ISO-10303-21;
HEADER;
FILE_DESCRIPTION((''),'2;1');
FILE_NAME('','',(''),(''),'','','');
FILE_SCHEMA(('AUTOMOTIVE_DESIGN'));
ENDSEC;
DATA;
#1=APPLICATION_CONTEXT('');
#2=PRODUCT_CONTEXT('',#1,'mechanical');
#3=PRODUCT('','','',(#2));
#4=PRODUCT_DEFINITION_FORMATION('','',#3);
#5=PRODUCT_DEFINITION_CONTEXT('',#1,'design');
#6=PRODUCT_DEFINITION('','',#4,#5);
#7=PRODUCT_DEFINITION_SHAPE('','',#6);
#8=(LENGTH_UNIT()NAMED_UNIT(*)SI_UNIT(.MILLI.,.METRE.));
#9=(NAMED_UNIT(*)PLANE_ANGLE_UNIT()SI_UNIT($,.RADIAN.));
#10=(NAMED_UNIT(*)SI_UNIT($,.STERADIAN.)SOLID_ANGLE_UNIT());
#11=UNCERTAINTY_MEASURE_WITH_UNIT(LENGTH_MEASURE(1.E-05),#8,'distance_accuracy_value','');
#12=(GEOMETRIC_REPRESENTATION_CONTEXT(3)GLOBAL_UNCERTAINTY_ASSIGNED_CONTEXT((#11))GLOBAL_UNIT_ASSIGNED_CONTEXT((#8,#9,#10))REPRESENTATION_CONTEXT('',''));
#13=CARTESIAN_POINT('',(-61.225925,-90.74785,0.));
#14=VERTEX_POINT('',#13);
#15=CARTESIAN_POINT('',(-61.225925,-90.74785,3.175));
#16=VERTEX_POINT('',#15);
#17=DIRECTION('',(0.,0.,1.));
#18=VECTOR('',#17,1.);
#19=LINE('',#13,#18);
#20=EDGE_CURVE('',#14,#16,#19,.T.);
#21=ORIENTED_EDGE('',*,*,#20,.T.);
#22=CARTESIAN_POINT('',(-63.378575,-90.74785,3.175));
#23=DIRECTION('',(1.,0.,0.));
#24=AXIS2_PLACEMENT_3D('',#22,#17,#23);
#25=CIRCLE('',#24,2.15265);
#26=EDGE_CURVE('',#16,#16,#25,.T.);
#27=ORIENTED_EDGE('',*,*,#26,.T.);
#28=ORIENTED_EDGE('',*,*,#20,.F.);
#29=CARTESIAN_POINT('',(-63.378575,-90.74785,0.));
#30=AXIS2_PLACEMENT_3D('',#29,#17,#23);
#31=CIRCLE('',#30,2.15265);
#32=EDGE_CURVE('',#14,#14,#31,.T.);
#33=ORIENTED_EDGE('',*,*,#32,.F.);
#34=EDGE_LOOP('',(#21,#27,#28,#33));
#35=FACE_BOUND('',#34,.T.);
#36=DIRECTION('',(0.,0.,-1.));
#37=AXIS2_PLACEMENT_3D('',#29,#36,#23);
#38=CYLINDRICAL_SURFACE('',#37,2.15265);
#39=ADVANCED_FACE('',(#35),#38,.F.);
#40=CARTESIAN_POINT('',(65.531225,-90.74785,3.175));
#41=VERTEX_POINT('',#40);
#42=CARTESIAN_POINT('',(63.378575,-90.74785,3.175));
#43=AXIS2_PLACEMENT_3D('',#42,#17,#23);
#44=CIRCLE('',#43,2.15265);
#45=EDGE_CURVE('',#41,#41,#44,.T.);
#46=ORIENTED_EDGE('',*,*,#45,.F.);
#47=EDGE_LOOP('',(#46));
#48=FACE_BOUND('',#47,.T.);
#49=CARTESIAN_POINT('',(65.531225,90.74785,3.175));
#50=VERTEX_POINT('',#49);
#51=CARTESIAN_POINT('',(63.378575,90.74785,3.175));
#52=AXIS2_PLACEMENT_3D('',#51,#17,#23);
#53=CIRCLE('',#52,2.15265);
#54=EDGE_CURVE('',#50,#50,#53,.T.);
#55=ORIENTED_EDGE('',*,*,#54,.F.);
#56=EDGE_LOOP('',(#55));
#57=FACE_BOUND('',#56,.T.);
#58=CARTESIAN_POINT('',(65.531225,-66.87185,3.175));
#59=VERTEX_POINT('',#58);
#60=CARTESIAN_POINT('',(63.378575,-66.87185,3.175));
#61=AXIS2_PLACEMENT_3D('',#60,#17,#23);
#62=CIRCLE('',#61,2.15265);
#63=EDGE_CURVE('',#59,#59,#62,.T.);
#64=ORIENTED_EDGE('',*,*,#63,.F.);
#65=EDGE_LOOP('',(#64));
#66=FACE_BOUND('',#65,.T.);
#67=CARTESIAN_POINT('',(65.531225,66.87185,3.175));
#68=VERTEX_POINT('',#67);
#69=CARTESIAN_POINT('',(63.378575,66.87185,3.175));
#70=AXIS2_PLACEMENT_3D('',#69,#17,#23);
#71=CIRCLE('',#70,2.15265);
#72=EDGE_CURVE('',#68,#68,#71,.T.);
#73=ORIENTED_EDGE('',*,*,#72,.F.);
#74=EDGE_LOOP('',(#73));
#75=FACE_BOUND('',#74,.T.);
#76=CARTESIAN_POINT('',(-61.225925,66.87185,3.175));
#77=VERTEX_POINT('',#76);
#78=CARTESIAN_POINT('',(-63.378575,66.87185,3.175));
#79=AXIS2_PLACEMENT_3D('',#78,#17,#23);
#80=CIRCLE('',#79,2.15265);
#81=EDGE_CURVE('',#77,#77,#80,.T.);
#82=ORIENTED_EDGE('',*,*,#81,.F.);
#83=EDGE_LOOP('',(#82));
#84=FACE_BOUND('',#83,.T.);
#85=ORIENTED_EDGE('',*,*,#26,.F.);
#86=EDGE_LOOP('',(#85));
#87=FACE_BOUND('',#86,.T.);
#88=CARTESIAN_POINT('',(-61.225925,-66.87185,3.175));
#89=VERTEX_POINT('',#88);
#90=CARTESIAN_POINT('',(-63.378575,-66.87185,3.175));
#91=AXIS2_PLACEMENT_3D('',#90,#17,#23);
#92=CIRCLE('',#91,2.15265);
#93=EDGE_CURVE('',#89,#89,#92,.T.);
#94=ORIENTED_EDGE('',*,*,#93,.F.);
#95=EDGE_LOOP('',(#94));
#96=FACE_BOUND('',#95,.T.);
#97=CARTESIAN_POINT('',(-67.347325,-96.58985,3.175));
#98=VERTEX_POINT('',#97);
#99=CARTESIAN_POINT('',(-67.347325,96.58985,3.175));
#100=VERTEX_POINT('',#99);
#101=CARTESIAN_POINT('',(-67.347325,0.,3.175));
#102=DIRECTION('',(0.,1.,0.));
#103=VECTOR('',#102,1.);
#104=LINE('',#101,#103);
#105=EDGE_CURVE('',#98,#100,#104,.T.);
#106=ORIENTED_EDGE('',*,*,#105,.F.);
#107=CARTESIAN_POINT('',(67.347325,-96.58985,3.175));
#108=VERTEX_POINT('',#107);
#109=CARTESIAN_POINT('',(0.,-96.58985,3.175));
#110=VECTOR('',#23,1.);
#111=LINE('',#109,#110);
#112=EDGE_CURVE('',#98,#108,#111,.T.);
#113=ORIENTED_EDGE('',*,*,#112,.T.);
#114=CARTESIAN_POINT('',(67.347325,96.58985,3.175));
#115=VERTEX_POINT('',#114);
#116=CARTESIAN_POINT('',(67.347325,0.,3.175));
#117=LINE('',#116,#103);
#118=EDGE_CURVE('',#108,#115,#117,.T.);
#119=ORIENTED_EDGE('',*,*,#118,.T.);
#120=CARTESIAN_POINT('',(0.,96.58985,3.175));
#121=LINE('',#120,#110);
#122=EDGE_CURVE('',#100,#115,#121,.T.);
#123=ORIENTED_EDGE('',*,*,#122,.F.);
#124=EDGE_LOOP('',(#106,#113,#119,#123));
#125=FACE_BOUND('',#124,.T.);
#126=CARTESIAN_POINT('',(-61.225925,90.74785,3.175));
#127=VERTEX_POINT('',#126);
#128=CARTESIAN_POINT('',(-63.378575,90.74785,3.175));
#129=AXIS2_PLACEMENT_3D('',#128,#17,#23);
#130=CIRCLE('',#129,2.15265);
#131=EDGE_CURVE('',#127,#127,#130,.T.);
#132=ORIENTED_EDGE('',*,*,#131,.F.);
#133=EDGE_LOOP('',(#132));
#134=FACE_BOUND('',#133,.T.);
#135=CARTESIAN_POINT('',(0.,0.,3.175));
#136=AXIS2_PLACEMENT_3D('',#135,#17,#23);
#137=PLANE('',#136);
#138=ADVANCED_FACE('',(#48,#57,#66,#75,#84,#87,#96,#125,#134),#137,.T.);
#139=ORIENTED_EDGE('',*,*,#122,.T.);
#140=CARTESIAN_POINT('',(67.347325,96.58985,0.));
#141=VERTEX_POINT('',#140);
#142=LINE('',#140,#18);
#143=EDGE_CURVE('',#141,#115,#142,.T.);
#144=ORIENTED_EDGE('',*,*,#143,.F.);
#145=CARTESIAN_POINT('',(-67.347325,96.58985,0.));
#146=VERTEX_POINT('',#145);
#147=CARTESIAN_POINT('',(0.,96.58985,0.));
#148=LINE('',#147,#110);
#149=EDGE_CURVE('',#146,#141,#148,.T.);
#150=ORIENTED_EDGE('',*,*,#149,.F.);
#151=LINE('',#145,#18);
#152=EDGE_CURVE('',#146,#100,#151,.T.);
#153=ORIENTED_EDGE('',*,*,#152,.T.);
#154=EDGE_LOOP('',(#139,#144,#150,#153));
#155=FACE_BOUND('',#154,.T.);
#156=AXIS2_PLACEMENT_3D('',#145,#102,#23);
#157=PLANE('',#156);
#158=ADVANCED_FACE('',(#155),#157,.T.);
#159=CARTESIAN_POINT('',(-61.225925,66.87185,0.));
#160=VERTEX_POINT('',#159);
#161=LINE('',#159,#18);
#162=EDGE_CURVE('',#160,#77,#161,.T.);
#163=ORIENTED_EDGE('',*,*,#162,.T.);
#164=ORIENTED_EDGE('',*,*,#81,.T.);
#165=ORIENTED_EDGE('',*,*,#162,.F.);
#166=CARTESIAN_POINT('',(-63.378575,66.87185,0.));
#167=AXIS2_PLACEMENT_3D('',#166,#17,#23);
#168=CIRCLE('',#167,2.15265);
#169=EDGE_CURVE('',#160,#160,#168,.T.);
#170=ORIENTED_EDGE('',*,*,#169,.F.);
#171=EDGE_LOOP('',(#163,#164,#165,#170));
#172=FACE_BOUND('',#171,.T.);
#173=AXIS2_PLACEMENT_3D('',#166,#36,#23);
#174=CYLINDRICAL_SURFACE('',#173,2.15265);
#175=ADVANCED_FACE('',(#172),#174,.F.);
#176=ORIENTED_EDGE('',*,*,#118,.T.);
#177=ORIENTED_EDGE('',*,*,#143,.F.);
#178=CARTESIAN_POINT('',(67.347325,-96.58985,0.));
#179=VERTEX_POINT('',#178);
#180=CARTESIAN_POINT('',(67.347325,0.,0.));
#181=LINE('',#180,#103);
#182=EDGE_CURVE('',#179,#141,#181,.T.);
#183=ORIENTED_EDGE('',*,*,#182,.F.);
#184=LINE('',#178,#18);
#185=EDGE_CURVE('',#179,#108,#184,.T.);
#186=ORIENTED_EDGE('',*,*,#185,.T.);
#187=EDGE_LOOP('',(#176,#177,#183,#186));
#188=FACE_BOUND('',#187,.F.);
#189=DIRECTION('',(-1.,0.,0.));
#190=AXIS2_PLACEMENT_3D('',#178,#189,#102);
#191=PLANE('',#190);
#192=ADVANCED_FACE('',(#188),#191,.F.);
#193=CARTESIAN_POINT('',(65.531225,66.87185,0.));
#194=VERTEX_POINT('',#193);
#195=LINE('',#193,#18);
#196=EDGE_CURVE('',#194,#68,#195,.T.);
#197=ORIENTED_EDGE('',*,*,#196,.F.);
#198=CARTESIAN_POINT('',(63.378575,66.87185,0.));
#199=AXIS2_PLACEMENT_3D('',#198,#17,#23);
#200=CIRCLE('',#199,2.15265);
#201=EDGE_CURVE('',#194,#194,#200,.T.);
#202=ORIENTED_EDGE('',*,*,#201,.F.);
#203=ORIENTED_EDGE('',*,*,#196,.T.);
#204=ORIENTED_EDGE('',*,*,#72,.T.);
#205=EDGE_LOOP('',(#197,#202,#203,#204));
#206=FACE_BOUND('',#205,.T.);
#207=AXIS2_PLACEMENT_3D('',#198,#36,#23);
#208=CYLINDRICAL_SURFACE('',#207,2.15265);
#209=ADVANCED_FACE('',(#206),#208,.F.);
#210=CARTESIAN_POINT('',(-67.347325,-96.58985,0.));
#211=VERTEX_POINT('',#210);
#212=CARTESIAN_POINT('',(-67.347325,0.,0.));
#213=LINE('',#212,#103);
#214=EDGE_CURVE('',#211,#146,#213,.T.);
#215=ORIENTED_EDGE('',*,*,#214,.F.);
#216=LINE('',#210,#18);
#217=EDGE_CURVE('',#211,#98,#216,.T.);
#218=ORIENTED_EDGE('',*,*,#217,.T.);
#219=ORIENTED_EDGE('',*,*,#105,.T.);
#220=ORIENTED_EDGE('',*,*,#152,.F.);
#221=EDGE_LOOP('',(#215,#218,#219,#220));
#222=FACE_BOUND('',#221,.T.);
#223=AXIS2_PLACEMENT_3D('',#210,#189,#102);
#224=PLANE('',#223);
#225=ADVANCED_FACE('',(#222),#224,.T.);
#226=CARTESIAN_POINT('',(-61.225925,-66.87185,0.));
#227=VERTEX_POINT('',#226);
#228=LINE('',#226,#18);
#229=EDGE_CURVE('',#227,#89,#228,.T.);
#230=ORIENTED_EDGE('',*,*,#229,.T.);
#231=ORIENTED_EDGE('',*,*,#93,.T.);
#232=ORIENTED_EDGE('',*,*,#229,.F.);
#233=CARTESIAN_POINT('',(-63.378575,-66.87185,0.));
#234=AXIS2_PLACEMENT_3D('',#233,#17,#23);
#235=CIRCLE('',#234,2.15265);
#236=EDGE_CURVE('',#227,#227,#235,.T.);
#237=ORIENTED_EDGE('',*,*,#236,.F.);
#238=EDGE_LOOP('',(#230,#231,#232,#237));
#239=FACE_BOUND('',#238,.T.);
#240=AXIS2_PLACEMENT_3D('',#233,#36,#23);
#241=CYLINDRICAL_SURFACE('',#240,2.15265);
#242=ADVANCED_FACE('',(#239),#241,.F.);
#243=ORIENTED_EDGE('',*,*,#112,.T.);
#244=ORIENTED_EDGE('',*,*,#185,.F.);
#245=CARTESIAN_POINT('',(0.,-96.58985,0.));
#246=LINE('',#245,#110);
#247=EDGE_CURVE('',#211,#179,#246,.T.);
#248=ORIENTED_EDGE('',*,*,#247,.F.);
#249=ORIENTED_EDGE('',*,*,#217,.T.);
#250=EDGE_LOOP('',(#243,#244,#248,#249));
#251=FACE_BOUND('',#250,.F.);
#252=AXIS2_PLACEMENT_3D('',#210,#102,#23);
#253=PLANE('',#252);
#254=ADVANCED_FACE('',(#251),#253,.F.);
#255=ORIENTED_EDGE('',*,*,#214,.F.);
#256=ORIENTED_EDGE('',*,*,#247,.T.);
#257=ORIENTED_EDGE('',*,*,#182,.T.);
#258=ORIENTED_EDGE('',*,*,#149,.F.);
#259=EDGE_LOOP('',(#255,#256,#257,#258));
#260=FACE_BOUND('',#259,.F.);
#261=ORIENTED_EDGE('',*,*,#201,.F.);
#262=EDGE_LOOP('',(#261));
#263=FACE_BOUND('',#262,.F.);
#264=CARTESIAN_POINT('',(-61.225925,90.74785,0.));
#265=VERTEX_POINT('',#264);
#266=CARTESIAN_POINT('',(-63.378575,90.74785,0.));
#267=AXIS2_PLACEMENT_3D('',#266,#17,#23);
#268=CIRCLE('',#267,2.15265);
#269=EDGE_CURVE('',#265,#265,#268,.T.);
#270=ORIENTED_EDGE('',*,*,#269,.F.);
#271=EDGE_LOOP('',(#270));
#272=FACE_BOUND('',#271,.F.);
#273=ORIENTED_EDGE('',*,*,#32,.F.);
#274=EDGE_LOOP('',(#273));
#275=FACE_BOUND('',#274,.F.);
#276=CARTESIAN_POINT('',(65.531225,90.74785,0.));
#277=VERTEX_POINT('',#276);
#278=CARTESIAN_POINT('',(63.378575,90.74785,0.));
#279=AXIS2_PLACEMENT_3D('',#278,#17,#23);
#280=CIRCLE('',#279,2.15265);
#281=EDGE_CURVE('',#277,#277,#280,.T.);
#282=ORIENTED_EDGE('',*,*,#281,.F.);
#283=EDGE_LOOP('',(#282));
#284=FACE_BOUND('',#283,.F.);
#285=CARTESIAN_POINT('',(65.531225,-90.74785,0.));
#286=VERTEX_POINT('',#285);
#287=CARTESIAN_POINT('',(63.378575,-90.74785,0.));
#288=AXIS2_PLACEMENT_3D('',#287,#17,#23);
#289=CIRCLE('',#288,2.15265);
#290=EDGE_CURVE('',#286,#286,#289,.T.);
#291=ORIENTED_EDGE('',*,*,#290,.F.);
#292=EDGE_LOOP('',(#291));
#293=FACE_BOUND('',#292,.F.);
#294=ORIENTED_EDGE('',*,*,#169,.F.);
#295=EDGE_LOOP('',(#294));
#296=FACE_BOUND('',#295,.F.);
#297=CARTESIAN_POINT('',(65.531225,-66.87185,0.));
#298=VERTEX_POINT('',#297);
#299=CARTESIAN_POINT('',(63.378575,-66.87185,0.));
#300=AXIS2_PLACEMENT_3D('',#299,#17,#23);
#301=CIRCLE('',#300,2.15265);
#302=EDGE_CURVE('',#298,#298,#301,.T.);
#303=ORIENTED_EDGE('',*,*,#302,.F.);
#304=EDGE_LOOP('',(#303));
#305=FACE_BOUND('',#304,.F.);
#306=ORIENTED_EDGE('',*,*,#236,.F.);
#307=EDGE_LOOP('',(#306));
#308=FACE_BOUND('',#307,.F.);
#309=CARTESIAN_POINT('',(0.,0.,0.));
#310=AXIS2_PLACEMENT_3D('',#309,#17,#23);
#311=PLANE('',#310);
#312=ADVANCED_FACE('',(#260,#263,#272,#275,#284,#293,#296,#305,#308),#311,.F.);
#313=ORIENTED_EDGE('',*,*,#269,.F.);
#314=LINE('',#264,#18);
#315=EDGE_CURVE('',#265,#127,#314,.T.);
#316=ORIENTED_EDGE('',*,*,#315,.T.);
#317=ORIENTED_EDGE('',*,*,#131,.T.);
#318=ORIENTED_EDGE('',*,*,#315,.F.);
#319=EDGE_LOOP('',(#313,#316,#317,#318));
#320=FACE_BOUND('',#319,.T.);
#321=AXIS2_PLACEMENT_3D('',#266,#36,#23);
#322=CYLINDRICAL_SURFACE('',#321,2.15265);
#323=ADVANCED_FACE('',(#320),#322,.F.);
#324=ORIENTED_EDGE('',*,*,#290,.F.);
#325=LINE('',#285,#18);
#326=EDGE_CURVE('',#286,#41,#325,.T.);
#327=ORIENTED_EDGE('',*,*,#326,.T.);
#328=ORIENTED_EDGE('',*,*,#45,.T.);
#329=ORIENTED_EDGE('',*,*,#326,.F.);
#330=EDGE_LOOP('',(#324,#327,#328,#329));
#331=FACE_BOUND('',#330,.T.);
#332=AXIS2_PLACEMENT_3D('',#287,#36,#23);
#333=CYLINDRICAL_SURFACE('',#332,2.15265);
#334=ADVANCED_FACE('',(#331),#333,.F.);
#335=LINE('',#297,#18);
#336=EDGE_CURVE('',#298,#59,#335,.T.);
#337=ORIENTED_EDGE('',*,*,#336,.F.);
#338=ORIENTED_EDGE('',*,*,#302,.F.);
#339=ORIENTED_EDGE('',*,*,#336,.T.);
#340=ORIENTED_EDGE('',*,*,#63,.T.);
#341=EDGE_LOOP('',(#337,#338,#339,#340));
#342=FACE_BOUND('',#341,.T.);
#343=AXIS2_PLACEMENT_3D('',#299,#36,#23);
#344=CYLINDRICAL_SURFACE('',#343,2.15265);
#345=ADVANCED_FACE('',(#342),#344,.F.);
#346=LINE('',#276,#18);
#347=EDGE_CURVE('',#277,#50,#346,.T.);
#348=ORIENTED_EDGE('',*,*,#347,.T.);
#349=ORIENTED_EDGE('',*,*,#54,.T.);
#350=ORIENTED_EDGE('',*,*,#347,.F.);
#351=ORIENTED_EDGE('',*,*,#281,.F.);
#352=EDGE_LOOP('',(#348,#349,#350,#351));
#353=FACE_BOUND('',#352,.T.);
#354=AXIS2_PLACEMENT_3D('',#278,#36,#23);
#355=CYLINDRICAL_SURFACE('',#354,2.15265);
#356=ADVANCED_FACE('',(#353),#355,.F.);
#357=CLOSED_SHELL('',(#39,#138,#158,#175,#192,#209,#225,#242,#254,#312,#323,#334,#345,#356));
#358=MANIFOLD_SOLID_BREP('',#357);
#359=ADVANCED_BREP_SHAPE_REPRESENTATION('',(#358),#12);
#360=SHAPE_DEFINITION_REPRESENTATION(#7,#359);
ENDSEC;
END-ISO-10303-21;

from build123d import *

# Parameters (mm, degrees)
F0_W     = 134.69465
F0_H     = 193.1797
F0_R     = 2.15265
F1_DEPTH = 3.175


with BuildPart() as f1:
    # F0 (on Top) → F1 (new body)
    with BuildSketch(Plane.XY):
        Rectangle(F0_W, F0_H)
        with Locations((-63.378575, -90.74785)):
            Circle(F0_R, mode=Mode.SUBTRACT)
        with Locations((-63.378575, -66.87185)):
            Circle(F0_R, mode=Mode.SUBTRACT)
        with Locations((63.378575, -90.74785)):
            Circle(F0_R, mode=Mode.SUBTRACT)
        with Locations((63.378575, -66.87185)):
            Circle(F0_R, mode=Mode.SUBTRACT)
        with Locations((-63.378575, 66.87185)):
            Circle(F0_R, mode=Mode.SUBTRACT)
        with Locations((-63.378575, 90.74785)):
            Circle(F0_R, mode=Mode.SUBTRACT)
        with Locations((63.378575, 66.87185)):
            Circle(F0_R, mode=Mode.SUBTRACT)
        with Locations((63.378575, 90.74785)):
            Circle(F0_R, mode=Mode.SUBTRACT)
    extrude(amount=F1_DEPTH)


solid = f1.part
